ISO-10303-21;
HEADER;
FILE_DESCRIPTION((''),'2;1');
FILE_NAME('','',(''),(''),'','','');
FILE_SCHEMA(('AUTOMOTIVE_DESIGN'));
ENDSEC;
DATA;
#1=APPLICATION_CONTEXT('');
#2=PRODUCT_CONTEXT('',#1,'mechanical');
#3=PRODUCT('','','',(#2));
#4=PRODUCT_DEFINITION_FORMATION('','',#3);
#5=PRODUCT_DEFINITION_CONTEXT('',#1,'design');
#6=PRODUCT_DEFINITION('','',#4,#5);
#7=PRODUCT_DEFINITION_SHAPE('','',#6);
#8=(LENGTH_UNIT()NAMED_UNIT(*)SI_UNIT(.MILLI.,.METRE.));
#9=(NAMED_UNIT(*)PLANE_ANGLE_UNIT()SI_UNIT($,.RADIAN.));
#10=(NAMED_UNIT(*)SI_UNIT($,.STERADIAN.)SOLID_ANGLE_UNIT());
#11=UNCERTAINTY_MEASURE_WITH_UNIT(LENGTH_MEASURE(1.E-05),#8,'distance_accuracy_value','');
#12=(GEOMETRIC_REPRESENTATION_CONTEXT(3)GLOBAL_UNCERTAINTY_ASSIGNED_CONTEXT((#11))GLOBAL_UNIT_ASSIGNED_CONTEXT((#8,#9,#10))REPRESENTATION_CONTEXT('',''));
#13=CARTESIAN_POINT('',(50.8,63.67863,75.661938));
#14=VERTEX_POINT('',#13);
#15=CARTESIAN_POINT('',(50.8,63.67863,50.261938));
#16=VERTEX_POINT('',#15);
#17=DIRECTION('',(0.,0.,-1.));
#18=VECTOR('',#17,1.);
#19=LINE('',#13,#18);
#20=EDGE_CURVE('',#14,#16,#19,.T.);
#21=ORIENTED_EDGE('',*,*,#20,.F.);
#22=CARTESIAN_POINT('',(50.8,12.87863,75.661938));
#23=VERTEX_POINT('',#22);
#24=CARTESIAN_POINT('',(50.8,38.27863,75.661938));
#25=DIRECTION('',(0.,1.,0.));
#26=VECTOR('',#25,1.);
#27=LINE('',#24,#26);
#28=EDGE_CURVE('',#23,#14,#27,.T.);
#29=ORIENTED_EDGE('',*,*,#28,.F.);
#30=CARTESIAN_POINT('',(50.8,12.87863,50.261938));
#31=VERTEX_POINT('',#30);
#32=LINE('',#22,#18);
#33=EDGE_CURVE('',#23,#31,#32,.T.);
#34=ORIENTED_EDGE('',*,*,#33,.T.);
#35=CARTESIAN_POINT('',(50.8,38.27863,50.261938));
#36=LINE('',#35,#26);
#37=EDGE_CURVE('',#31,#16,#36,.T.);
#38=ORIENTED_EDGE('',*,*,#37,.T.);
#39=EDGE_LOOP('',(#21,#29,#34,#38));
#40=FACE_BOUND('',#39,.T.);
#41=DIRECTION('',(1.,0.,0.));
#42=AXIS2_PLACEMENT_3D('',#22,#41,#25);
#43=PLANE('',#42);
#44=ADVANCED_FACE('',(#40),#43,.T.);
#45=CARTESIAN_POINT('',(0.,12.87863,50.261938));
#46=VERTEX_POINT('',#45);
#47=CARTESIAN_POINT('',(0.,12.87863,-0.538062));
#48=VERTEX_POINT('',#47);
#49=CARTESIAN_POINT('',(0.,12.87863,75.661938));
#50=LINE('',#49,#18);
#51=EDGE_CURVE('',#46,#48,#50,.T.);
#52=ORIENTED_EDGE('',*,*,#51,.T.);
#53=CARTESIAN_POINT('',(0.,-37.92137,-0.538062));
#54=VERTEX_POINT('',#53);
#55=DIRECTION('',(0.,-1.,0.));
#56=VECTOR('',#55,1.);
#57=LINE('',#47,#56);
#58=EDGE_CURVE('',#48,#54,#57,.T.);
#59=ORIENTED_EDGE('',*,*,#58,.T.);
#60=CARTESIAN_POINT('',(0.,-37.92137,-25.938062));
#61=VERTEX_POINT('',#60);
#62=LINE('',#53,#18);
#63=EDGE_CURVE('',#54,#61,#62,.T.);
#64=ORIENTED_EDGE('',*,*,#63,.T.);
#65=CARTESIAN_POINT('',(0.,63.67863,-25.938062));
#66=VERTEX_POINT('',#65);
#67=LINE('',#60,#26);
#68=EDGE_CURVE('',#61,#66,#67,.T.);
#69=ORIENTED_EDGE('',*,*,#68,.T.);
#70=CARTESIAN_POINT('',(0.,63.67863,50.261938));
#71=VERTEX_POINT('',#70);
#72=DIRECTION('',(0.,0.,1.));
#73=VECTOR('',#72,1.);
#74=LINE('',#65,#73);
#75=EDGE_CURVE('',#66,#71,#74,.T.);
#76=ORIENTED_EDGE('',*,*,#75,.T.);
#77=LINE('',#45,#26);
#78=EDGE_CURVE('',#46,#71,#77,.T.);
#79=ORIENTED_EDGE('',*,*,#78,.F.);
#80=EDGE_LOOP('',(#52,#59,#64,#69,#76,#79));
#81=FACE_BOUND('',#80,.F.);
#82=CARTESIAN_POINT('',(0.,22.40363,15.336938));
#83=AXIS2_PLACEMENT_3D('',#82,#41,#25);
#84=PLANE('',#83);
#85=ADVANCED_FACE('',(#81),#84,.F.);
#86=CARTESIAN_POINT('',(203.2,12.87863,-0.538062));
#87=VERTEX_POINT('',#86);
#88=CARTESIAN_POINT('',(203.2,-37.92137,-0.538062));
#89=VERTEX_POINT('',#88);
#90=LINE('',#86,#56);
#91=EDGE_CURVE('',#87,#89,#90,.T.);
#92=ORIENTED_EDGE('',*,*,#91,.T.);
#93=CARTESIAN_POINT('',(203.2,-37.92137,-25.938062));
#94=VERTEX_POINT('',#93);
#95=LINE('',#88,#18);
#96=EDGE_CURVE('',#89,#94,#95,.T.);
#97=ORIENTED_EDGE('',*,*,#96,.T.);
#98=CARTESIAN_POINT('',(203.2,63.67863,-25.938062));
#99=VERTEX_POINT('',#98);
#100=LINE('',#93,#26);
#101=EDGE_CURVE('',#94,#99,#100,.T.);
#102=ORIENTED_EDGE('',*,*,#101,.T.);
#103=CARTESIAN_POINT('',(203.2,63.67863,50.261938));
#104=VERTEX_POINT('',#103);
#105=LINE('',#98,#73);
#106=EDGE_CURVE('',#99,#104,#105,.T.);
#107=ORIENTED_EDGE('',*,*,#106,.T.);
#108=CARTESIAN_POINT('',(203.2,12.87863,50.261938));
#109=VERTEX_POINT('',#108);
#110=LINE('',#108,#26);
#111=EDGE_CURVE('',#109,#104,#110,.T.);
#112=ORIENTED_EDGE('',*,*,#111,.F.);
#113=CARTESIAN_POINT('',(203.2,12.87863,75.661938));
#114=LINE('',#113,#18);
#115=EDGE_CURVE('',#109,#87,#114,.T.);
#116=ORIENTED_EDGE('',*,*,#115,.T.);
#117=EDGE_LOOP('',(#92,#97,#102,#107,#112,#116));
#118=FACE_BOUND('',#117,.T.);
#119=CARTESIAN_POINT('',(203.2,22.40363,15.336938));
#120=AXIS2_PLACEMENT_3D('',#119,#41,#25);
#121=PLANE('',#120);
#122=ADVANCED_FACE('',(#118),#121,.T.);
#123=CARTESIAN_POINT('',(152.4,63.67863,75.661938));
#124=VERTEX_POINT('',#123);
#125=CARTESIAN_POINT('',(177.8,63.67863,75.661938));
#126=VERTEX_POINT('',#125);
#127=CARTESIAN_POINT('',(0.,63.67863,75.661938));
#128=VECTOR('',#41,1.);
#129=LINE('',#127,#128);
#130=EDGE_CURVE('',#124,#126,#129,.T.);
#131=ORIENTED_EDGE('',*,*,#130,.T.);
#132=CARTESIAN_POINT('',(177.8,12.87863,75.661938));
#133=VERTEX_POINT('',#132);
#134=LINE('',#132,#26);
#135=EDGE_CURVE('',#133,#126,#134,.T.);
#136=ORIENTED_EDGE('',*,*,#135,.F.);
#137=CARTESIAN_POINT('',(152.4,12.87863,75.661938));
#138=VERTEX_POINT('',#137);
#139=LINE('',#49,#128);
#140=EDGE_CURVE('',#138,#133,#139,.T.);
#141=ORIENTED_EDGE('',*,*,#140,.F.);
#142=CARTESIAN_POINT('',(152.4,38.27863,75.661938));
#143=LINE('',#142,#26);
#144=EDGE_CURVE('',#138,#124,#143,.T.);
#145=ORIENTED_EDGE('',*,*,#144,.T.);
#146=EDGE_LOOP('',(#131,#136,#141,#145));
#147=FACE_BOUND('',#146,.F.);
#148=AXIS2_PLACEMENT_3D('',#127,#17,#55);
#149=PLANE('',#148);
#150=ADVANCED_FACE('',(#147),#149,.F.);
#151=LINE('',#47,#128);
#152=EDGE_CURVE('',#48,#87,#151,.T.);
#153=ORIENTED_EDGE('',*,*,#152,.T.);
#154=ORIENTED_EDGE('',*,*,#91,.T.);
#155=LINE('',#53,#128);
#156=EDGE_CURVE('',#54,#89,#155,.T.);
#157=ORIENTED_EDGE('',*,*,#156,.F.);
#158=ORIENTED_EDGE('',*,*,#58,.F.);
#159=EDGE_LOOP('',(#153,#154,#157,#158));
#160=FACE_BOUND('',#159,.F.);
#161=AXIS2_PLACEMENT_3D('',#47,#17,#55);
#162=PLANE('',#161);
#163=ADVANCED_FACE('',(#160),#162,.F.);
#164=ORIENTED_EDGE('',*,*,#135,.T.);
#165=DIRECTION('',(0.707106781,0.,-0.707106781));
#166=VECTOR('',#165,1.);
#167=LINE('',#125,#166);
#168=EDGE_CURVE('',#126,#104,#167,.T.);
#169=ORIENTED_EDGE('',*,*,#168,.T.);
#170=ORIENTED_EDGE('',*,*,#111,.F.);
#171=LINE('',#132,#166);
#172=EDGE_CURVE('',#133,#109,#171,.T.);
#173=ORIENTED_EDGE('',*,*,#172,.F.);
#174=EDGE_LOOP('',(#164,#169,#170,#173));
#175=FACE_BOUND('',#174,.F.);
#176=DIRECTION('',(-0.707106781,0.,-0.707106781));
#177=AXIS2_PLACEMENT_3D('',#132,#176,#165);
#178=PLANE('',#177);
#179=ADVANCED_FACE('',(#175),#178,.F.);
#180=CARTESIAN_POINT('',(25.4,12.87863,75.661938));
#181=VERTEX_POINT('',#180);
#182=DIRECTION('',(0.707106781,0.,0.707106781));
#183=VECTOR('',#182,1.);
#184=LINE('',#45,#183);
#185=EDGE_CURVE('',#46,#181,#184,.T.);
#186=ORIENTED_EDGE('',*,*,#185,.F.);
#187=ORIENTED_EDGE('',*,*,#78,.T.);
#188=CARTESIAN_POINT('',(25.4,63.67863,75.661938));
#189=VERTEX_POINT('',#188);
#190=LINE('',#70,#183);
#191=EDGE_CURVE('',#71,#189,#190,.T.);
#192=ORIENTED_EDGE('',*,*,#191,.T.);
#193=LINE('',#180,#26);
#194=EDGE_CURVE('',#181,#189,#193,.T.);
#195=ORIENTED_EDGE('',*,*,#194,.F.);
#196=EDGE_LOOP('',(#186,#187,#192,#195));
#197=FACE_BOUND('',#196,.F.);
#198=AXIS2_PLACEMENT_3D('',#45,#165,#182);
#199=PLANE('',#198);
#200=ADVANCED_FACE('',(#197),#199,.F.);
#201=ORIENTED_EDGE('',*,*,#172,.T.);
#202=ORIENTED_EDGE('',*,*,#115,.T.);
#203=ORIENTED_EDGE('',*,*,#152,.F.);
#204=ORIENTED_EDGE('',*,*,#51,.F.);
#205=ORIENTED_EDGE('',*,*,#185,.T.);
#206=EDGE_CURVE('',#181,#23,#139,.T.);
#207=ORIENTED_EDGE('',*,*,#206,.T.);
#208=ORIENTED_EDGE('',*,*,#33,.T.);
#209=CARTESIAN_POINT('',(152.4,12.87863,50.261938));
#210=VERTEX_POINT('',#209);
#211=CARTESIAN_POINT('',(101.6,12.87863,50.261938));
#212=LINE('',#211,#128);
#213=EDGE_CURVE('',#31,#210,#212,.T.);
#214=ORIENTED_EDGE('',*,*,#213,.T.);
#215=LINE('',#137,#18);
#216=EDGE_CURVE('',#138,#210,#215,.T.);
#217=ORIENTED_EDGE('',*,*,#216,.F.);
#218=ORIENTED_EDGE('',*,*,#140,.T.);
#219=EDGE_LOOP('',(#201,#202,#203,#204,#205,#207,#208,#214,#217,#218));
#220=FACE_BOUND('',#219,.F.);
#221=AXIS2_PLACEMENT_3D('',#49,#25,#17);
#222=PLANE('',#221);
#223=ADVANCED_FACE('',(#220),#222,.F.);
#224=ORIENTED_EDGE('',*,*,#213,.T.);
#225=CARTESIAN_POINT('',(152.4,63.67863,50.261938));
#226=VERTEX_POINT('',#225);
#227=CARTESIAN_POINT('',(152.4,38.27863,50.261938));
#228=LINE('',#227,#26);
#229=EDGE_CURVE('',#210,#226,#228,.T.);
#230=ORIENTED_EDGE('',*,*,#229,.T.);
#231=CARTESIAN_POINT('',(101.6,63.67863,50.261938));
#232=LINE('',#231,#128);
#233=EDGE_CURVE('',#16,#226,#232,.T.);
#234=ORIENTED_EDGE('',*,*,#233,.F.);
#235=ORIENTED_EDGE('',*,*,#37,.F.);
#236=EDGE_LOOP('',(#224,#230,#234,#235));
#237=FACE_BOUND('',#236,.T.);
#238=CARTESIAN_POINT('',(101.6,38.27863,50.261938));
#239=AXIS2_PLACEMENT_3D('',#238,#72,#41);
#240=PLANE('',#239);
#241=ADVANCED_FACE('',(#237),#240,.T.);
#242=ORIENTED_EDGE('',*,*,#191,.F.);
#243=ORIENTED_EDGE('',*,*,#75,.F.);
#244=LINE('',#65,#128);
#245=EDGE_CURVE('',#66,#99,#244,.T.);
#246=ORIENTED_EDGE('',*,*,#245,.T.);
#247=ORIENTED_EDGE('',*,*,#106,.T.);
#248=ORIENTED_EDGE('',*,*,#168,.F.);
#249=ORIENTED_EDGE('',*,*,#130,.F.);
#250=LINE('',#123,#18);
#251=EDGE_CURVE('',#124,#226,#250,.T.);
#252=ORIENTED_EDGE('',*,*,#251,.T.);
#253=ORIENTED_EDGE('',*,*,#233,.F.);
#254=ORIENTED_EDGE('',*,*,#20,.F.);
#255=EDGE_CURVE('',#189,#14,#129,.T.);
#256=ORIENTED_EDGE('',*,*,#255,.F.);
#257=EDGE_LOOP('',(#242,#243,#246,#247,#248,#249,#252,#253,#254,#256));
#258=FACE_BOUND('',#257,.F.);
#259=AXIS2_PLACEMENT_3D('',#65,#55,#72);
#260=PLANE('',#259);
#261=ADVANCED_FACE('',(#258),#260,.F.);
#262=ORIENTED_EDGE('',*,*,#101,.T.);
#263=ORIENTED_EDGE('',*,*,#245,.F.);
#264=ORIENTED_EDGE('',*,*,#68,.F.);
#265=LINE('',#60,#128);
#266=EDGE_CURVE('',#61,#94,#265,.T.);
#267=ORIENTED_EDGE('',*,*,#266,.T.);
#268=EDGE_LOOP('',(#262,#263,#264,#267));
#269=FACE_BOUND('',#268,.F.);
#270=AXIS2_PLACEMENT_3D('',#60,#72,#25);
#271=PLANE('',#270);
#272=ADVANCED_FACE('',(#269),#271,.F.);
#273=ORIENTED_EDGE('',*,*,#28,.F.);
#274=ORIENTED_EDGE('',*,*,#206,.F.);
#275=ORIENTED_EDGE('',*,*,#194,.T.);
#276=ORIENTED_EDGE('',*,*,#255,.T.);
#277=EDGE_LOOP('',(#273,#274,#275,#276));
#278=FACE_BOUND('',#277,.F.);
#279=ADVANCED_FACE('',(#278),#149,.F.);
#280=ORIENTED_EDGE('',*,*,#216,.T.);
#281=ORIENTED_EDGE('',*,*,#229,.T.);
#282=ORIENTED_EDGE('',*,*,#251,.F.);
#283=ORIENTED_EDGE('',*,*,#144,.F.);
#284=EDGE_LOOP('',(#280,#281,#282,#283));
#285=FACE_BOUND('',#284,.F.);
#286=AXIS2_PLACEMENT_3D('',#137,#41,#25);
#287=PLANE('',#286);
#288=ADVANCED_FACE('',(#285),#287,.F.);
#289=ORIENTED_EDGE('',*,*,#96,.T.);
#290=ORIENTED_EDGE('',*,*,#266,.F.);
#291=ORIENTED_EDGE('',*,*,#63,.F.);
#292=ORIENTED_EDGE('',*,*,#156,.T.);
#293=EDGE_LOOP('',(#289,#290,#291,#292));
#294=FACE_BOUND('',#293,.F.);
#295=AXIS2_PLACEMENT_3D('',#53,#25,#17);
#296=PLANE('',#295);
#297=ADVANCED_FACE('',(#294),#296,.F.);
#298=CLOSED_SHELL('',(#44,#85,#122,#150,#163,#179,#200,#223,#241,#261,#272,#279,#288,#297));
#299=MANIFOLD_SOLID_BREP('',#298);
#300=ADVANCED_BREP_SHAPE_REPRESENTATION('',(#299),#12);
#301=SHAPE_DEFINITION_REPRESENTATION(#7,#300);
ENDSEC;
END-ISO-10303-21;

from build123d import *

# Parameters (mm, degrees)
F1_DEPTH = 203.2
F2_W     = 25.4
F2_H     = 101.6
F3_DEPTH = 25.4
F4_W     = 50.8
F4_H     = 101.6
F5_DEPTH = 25.4
F7_DEPTH = 50.8
F8_W     = 101.6
F8_H     = 50.8
F9_DEPTH = 25.4


with BuildPart() as f1:
    # F0 (on Right) → F1 (new body)
    with BuildSketch(Plane.YZ):
        Polygon((12.87863, -0.538062), (-37.92137, -0.538062), (-37.92137, -25.938062), (63.67863, -25.938062), (63.67863, -0.538062), (63.67863, 75.661938), (12.87863, 75.661938), align=None)
    extrude(amount=F1_DEPTH)

    # F2 (on face) → F3 (cut)
    with BuildSketch(Plane.XY.offset(-0.538062)):
        with Locations((-25.22137, -101.6)):
            Rectangle(F2_W, F2_H)
    extrude(amount=-F3_DEPTH, mode=Mode.SUBTRACT)

    # F4 (on face) → F5 (cut)
    with BuildSketch(Plane.XY.offset(75.661938)):
        with Locations((38.27863, -101.6)):
            Rectangle(F4_W, F4_H)
    extrude(amount=-F5_DEPTH, mode=Mode.SUBTRACT)

    # F6 (on face) → F7 (cut)
    with BuildSketch(Plane.XZ.offset(-12.87863)):
        Polygon((203.2, 75.661938), (177.8, 75.661938), (203.2, 50.261938), align=None)
        Polygon((0, 50.261938), (25.4, 75.661938), (0, 75.661938), align=None)
    extrude(amount=-F7_DEPTH, mode=Mode.SUBTRACT)

    # F8 (on face) → F9 (cut)
    with BuildSketch(Plane.XY.offset(75.661938)):
        with Locations((101.6, 38.27863)):
            Rectangle(F8_W, F8_H)
    extrude(amount=-F9_DEPTH, mode=Mode.SUBTRACT)


solid = f1.part
